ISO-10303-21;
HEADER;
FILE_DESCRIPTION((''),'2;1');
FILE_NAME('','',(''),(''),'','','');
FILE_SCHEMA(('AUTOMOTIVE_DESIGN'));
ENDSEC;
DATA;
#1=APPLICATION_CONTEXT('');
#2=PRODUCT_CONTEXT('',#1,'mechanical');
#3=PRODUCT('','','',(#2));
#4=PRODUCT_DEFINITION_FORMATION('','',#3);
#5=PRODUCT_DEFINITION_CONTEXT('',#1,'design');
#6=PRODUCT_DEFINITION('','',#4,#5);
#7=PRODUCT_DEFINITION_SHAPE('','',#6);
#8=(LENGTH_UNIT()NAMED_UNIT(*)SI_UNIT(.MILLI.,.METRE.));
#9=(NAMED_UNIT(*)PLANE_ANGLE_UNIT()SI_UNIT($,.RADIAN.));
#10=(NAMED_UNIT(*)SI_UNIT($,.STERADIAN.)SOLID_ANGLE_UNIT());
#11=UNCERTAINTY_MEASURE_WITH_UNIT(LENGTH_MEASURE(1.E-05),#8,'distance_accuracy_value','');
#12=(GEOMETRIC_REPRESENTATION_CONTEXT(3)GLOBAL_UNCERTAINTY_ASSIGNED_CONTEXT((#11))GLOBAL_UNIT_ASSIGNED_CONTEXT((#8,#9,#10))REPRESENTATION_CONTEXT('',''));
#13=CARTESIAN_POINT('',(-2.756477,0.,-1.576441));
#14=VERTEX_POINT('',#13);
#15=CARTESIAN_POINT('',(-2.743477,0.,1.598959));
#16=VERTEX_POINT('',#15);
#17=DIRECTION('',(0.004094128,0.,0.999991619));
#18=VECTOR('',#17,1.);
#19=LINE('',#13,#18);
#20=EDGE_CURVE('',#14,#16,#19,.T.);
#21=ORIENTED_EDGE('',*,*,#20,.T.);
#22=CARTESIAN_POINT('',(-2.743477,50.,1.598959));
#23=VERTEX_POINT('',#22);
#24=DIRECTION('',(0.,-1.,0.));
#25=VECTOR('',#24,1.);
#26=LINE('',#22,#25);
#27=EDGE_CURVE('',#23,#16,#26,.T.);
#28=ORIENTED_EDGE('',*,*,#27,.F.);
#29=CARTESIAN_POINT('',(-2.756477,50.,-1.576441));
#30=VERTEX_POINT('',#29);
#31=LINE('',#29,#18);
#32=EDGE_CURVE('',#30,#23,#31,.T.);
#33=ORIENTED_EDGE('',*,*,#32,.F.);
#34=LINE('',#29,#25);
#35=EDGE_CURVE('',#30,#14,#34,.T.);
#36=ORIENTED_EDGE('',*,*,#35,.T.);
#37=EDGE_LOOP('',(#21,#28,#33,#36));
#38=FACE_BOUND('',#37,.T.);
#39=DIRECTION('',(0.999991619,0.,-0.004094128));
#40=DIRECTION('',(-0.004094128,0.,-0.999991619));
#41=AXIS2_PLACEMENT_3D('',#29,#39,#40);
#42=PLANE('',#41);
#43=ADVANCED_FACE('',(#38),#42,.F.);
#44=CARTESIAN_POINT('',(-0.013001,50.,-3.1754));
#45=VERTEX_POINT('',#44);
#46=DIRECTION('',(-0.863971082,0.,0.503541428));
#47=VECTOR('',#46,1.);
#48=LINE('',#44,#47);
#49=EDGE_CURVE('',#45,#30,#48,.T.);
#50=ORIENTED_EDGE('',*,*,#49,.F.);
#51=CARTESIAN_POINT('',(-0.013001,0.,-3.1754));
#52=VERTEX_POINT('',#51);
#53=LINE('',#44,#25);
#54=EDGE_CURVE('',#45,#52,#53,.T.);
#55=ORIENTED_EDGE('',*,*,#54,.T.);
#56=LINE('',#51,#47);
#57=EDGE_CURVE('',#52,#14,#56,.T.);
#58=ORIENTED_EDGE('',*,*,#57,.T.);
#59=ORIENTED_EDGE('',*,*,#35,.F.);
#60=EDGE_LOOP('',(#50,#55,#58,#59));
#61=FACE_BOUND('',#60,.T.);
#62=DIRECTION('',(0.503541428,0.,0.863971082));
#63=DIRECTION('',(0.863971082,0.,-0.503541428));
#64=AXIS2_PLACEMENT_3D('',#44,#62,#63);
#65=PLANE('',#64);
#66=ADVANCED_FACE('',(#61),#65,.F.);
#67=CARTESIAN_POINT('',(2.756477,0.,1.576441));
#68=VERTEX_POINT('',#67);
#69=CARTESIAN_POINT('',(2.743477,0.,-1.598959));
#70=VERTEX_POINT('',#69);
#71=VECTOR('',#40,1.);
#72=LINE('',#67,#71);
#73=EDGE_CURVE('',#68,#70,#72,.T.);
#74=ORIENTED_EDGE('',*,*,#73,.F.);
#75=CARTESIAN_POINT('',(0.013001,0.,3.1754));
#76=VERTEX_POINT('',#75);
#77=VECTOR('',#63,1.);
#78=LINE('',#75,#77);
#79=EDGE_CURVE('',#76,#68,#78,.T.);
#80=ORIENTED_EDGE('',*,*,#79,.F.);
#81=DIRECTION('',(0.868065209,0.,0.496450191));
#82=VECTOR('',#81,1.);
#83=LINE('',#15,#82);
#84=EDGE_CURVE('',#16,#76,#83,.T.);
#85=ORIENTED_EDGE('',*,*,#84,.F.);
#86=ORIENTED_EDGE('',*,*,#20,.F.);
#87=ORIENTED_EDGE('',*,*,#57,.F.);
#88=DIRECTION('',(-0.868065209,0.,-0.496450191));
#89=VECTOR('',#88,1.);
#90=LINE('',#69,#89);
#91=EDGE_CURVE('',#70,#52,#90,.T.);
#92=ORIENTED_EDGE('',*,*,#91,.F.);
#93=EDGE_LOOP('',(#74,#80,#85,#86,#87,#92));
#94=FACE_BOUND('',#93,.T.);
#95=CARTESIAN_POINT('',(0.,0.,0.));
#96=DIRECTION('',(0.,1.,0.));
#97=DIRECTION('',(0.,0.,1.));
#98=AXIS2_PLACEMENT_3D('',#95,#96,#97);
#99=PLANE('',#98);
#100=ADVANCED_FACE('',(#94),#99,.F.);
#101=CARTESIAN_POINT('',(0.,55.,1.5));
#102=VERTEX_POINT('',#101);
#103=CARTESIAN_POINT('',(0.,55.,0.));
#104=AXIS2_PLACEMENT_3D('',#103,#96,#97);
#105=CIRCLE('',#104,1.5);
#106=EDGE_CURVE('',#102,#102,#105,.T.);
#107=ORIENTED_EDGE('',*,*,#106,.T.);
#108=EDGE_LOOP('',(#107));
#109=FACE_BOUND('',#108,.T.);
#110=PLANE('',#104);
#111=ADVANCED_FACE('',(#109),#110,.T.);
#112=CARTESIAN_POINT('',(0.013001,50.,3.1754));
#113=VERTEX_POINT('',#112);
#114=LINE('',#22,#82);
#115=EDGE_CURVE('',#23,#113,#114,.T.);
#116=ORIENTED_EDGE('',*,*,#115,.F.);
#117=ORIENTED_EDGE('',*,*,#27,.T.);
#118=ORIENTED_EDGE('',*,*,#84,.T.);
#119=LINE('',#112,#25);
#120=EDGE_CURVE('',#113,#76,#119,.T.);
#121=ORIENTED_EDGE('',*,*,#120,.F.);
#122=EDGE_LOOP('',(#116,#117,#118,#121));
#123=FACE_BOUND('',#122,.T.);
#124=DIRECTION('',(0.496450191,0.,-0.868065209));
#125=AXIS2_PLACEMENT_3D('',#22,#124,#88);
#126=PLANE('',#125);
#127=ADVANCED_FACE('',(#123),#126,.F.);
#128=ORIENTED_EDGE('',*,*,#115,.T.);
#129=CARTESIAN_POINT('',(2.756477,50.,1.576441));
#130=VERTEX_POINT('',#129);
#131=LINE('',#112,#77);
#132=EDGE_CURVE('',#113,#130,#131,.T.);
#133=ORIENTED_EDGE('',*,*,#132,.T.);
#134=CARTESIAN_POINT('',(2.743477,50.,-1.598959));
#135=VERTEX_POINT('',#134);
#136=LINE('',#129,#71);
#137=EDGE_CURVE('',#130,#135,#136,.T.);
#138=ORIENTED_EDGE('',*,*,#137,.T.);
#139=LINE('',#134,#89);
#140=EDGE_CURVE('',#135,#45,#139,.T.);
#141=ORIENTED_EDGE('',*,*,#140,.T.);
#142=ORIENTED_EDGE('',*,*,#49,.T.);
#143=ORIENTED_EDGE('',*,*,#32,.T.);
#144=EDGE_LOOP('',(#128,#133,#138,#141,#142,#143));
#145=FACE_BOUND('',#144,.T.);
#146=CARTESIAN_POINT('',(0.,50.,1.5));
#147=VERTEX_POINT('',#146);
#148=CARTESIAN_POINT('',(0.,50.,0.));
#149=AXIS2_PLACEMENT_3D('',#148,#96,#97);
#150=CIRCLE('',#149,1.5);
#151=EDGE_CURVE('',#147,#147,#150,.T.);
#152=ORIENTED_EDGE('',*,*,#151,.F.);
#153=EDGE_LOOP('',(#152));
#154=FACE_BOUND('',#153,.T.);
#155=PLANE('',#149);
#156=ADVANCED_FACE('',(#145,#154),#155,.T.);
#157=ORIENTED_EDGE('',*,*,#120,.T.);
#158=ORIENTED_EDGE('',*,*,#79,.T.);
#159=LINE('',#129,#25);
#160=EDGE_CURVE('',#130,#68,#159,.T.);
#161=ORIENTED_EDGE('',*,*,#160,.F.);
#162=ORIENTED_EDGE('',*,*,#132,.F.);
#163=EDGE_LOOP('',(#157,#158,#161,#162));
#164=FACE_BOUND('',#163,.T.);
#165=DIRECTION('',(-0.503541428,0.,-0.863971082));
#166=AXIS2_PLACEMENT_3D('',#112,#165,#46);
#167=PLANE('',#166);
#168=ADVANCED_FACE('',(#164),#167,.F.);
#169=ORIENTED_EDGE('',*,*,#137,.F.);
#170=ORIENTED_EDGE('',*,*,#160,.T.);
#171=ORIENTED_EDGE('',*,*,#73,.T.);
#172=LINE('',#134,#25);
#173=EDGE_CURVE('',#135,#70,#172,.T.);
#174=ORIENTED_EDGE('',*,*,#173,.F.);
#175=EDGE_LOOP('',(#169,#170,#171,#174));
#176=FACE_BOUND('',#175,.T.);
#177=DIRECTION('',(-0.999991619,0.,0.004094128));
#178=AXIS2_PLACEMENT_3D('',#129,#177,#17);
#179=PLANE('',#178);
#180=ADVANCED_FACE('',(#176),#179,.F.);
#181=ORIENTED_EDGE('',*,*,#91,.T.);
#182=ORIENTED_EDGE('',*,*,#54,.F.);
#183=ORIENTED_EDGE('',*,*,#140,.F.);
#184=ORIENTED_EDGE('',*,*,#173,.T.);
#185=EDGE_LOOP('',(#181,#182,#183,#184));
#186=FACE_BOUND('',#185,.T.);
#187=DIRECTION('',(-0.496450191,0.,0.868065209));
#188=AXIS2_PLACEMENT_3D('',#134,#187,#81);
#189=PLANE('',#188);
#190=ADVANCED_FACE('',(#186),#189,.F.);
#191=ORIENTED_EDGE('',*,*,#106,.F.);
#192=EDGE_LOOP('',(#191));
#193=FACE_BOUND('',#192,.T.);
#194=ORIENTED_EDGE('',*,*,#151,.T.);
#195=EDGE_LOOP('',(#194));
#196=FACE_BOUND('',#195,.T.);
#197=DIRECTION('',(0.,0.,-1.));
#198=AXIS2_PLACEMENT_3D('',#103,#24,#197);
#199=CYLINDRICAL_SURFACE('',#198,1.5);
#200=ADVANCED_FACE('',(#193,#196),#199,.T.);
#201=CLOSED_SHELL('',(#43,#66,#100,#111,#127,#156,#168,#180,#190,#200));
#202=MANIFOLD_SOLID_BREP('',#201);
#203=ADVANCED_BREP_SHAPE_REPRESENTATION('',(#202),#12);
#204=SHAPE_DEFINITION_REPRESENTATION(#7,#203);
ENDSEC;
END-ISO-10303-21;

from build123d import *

# Parameters (mm, degrees)
SALIENTE_EXTRUIR1_DEPTH = 50
CROQUIS2_R              = 1.5
SALIENTE_EXTRUIR2_DEPTH = 5


with BuildPart() as part:
    # Croquis1 → Saliente-Extruir1 (new body)
    with BuildSketch(Plane(origin=(0, 0, 0), x_dir=(1, 0, 0), z_dir=(0, 1, 0))):
        Polygon((2.743476652, 1.598958785), (-0.013000601, 3.175399867), (-2.756477253, 1.576441083), (-2.743476652, -1.598958785), (0.013000601, -3.175399867), (2.756477253, -1.576441083), align=None)
    extrude(amount=SALIENTE_EXTRUIR1_DEPTH)

    # Croquis2 → Saliente-Extruir2 (add)
    with BuildSketch(Plane(origin=(0, 50, 0), x_dir=(1, 0, 0), z_dir=(0, 1, 0))):
        with Locations(Location((0, 0, 0), (0, 0, 270))):
            Circle(CROQUIS2_R)
    extrude(amount=SALIENTE_EXTRUIR2_DEPTH)


solid = part.part
